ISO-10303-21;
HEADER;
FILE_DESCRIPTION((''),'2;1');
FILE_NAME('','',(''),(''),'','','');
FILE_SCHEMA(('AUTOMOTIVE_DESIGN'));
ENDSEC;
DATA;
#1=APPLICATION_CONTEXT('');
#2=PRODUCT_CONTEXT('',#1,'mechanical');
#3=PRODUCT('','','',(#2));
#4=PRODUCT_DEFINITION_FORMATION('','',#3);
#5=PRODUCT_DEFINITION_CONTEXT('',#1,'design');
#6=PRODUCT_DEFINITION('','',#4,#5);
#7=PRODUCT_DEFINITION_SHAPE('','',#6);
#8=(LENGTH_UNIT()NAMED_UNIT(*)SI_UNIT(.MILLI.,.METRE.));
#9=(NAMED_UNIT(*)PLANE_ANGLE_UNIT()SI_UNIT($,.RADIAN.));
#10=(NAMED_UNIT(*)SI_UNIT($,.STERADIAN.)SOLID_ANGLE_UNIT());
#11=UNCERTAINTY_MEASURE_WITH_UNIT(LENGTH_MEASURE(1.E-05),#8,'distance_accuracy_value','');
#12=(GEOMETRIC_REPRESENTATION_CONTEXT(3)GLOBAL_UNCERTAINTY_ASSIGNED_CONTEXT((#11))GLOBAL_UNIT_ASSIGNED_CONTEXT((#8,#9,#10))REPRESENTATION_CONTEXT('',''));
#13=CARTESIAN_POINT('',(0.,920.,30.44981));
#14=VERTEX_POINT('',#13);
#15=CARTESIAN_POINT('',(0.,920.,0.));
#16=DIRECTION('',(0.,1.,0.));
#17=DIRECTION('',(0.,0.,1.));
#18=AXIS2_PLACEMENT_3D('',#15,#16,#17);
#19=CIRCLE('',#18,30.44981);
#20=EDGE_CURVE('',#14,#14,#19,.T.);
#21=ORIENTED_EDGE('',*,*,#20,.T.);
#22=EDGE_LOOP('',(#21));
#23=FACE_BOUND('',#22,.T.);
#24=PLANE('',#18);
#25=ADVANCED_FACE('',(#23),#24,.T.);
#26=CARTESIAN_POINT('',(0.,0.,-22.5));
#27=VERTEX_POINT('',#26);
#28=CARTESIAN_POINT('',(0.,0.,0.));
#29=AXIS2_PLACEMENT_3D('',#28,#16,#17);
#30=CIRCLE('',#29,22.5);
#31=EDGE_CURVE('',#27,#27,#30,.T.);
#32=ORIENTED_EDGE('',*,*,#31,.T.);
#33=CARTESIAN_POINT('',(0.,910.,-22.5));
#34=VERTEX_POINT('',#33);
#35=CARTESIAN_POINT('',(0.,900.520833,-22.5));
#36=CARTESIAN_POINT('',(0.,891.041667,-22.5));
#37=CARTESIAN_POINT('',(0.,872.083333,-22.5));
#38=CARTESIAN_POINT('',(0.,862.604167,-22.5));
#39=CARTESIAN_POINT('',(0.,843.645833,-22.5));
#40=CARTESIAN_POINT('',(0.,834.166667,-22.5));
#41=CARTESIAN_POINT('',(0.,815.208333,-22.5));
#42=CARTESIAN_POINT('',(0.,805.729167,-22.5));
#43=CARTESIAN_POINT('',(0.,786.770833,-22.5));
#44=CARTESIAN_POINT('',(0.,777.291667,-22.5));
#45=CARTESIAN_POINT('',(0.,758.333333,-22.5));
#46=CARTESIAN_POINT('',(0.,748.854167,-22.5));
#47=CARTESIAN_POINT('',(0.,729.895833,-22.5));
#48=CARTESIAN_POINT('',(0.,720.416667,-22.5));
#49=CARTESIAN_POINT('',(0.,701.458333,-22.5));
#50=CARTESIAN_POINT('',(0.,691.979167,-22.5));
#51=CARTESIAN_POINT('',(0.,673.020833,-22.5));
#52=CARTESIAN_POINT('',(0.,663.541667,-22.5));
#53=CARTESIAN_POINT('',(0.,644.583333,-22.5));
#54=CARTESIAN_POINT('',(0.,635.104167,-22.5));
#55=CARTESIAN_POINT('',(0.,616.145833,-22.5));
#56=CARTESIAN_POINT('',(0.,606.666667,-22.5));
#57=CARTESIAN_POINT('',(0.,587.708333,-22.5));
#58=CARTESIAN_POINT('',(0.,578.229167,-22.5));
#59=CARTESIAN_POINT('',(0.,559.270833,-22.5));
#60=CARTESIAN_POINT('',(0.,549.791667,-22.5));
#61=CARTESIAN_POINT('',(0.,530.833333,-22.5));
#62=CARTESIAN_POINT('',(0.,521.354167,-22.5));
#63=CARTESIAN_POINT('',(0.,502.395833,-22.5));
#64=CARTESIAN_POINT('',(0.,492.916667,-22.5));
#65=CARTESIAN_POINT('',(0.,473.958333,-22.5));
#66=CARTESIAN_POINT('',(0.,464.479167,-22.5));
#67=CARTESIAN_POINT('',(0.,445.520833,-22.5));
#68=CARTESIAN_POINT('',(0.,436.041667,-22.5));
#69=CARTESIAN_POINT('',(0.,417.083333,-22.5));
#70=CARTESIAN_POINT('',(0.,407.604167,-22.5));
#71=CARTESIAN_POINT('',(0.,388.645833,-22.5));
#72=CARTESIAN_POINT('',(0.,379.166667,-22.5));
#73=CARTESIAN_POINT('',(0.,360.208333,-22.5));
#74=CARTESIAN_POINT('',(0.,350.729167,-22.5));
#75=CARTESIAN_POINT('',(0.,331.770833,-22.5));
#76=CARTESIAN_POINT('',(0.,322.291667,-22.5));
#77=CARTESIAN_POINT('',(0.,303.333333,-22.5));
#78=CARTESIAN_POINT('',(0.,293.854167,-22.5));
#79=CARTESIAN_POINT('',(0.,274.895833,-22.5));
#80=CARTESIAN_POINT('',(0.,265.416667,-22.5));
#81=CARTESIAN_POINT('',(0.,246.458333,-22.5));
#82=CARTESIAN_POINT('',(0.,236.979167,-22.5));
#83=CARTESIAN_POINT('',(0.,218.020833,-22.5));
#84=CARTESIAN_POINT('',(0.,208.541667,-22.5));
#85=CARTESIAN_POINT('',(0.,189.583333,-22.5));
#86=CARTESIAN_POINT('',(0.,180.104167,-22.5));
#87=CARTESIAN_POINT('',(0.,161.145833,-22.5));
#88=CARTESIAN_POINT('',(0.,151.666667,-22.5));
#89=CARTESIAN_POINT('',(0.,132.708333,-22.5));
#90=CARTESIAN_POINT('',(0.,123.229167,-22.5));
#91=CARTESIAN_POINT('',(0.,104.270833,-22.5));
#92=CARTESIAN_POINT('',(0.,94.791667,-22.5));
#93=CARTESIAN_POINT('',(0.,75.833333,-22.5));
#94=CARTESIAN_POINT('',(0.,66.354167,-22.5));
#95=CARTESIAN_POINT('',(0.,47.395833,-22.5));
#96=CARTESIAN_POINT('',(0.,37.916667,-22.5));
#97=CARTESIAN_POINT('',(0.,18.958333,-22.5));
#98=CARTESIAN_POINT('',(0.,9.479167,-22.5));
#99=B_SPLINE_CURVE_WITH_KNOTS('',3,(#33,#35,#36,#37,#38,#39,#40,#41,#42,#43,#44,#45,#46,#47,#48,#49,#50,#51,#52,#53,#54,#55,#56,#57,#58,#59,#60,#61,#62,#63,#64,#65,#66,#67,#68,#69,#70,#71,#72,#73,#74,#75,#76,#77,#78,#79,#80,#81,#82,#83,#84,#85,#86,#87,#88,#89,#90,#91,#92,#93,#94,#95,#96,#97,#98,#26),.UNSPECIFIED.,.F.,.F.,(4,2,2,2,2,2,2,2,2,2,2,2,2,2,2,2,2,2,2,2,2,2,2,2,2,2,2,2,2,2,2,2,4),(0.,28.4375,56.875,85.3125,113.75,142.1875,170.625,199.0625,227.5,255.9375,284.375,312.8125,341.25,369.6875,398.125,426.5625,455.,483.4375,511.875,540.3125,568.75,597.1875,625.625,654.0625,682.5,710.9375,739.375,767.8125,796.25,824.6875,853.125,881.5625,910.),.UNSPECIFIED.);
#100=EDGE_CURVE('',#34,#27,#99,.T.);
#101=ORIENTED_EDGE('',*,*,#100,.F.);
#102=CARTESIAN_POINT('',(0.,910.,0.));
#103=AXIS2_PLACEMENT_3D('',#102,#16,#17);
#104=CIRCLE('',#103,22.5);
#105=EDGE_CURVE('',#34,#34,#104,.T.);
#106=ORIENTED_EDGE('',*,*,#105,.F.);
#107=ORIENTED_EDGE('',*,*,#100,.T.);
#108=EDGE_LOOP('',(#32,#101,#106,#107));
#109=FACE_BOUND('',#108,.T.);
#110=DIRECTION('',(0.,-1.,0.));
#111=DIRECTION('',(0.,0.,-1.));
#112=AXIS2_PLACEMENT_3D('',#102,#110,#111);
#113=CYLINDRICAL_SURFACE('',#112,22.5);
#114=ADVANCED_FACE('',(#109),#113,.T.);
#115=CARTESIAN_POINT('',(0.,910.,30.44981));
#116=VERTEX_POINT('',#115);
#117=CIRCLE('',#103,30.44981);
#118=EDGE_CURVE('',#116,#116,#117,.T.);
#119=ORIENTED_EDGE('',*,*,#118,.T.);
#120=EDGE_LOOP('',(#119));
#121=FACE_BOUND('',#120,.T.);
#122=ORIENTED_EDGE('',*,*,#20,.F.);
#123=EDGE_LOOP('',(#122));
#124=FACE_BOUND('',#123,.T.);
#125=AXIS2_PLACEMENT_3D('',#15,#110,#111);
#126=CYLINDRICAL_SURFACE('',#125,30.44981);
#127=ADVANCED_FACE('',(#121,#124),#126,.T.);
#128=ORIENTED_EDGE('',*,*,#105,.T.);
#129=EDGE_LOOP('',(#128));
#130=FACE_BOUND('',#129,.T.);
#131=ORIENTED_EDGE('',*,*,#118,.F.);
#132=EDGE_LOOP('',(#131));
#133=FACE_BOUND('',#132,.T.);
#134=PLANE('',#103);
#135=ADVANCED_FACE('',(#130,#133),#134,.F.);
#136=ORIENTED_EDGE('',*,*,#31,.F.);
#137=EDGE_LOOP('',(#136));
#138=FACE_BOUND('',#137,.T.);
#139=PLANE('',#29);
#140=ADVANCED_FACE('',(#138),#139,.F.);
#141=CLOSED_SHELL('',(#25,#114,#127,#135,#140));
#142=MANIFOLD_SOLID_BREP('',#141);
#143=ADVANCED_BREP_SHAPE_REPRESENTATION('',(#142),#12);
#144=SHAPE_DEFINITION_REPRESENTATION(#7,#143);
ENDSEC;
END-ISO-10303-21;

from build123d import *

# Parameters (mm, degrees)
SKETCH1_R           = 22.5
BOSS_EXTRUDE1_DEPTH = 910
SKETCH2_R           = 30.449809799
BOSS_EXTRUDE2_DEPTH = 10


with BuildPart() as part:
    # Sketch1 → Boss-Extrude1 (new body)
    with BuildSketch(Plane(origin=(0, 0, 0), x_dir=(1, 0, 0), z_dir=(0, 1, 0))):
        with Locations(Location((0, 0, 0), (0, 0, 90))):
            Circle(SKETCH1_R)
    extrude(amount=BOSS_EXTRUDE1_DEPTH)

    # Sketch2 → Boss-Extrude2 (add)
    with BuildSketch(Plane(origin=(0, 910, 0), x_dir=(1, 0, 0), z_dir=(0, 1, 0))):
        with Locations(Location((0, 0, 0), (0, 0, 270))):
            Circle(SKETCH2_R)
    extrude(amount=BOSS_EXTRUDE2_DEPTH)


solid = part.part
